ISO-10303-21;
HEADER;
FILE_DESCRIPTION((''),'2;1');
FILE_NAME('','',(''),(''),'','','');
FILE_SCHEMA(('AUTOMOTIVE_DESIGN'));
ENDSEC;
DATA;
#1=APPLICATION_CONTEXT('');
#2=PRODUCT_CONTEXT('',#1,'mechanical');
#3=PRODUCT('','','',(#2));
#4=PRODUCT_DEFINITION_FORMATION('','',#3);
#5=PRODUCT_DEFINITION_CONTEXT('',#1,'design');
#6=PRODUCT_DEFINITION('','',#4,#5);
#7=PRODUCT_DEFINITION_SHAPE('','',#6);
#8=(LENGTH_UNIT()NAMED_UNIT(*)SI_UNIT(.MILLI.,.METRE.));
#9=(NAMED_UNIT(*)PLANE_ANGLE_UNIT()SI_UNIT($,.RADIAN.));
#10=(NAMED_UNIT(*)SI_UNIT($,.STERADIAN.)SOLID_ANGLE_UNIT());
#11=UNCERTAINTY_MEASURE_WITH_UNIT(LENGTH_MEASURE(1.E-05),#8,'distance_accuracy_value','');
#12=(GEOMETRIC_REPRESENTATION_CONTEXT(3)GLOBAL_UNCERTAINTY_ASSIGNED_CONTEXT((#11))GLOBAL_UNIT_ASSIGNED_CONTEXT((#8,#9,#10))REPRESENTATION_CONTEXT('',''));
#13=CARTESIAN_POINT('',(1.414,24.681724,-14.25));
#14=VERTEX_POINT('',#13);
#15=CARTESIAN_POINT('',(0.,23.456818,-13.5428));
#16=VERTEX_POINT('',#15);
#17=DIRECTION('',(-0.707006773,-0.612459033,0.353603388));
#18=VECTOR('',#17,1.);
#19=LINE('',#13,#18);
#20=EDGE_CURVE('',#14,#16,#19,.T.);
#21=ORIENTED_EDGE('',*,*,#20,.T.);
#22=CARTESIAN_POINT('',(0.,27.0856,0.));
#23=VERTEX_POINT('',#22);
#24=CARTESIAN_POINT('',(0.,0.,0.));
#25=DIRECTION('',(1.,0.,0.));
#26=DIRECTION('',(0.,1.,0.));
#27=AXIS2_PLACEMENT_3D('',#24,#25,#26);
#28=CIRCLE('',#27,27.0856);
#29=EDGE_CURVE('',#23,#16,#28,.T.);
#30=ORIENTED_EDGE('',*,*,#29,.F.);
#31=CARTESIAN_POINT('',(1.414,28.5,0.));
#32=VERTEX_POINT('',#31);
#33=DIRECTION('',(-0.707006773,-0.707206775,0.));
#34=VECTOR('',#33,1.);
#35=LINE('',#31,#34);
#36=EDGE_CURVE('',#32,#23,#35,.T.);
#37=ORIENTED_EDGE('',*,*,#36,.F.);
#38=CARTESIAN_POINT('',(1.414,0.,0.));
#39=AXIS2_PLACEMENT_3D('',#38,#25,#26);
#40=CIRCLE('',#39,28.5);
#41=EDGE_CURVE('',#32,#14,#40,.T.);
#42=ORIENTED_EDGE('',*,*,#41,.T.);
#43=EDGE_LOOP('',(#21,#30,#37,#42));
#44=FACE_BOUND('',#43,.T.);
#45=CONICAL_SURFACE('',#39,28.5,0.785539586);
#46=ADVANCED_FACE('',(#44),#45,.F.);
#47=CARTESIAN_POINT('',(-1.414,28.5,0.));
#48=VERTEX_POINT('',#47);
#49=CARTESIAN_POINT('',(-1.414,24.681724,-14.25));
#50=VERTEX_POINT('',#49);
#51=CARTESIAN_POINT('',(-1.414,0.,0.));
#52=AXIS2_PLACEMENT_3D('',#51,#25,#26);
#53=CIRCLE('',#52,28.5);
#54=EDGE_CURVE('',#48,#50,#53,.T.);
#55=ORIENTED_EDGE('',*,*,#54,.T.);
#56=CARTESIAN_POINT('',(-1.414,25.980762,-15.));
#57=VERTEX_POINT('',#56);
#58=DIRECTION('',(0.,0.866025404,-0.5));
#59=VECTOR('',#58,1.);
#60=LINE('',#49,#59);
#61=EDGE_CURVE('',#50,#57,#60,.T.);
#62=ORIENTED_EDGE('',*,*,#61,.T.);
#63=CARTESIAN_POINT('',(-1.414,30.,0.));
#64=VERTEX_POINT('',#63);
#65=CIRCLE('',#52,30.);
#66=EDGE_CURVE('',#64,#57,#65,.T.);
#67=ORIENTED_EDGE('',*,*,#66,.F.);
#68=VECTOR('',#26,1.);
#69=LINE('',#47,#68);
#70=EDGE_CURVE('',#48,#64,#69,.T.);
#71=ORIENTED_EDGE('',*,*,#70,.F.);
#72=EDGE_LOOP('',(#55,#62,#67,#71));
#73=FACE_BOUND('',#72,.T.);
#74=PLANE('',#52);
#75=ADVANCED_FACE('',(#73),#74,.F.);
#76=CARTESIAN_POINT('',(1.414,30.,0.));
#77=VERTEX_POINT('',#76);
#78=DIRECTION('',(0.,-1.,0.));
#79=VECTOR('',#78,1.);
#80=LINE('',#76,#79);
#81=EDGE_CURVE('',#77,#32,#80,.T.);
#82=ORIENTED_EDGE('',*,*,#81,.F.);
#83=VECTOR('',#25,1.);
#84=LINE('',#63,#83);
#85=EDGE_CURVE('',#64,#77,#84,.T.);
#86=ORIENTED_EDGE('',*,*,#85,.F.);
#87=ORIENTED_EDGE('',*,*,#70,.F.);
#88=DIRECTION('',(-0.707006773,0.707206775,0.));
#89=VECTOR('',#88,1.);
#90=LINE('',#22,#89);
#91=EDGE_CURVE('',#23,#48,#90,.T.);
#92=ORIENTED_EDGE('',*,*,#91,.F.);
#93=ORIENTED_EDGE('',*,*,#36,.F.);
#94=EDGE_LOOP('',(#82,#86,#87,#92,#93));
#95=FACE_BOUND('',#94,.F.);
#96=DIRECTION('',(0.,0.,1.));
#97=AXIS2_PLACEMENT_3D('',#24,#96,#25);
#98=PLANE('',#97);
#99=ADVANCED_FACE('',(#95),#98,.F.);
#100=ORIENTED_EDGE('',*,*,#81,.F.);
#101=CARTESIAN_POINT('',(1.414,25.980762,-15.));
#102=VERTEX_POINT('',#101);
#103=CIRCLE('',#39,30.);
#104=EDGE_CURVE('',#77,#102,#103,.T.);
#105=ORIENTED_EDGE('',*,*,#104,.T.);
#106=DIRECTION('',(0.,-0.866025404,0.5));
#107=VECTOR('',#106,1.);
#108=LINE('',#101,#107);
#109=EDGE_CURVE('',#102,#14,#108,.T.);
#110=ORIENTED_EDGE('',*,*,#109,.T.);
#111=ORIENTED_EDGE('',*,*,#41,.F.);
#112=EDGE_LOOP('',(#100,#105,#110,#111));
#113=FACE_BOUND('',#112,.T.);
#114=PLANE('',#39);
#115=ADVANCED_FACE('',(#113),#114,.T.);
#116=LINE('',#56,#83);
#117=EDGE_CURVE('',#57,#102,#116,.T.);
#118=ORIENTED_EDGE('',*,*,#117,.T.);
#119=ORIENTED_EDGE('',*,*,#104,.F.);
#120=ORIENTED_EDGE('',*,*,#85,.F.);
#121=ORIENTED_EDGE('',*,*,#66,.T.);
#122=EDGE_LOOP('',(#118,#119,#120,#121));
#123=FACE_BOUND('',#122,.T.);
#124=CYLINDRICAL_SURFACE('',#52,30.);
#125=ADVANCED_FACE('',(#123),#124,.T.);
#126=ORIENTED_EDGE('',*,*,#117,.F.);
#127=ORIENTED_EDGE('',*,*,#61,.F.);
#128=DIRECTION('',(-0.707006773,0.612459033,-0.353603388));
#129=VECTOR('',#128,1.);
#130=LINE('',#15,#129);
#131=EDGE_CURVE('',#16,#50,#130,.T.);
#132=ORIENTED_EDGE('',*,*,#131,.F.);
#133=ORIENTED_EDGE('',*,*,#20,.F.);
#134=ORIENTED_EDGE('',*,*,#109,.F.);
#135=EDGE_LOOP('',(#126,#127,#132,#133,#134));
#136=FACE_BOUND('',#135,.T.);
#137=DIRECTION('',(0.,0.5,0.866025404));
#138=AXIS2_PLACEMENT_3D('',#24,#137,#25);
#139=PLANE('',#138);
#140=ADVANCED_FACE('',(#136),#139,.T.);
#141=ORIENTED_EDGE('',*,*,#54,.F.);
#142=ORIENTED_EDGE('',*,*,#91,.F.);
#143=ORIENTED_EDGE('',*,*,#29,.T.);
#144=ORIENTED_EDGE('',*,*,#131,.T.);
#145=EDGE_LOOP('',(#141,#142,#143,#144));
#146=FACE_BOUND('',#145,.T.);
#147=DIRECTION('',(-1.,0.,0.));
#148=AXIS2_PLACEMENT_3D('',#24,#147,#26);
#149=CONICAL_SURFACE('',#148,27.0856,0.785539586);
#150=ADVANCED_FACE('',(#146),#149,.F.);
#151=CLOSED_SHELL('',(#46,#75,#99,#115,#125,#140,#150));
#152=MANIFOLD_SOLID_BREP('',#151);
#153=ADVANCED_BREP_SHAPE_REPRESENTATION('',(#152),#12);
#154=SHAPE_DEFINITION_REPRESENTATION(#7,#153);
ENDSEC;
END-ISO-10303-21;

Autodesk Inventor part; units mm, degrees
ref_plane "YZ Plane" through (0, 0, 0) normal (1, 0, 0) x (0, 1, 0)
ref_plane "XZ Plane" through (0, 0, 0) normal (0, 1, 0) x (-1, 0, 0)
ref_plane "XY Plane" through (0, 0, 0) normal (0, 0, 1) x (1, 0, 0)
sketch "Sketch1" plane through (0, 0, 0) normal (0, 0, 1) x (1, 0, 0)
  line L0 (0, 27.0856) -> (-1.414, 28.5)
  line L1 (-1.414, 28.5) -> (-1.414, 30)
  line L2 (-1.414, 30) -> (1.414, 30)
  line L3 (1.414, 30) -> (1.414, 28.5)
  line L4 (1.414, 28.5) -> (0, 27.0856)
  line L5 (-5, 0) -> (5, 0)
  point P0 (0, 0)
  point P1 (0, 30)
  point P2 (0, 0)
  dimension "d0" = 2
  dimension "d1" = 10
  dimension "d3" = 57
  dimension "d4" = 2.828
  dimension "d5" = 1.5
revolve "Revolution1" add sketch "Sketch1" angle 330 about axis through (-5, 0, 0) along (1, 0, 0)
properties part number "Pierścień klinowy"
